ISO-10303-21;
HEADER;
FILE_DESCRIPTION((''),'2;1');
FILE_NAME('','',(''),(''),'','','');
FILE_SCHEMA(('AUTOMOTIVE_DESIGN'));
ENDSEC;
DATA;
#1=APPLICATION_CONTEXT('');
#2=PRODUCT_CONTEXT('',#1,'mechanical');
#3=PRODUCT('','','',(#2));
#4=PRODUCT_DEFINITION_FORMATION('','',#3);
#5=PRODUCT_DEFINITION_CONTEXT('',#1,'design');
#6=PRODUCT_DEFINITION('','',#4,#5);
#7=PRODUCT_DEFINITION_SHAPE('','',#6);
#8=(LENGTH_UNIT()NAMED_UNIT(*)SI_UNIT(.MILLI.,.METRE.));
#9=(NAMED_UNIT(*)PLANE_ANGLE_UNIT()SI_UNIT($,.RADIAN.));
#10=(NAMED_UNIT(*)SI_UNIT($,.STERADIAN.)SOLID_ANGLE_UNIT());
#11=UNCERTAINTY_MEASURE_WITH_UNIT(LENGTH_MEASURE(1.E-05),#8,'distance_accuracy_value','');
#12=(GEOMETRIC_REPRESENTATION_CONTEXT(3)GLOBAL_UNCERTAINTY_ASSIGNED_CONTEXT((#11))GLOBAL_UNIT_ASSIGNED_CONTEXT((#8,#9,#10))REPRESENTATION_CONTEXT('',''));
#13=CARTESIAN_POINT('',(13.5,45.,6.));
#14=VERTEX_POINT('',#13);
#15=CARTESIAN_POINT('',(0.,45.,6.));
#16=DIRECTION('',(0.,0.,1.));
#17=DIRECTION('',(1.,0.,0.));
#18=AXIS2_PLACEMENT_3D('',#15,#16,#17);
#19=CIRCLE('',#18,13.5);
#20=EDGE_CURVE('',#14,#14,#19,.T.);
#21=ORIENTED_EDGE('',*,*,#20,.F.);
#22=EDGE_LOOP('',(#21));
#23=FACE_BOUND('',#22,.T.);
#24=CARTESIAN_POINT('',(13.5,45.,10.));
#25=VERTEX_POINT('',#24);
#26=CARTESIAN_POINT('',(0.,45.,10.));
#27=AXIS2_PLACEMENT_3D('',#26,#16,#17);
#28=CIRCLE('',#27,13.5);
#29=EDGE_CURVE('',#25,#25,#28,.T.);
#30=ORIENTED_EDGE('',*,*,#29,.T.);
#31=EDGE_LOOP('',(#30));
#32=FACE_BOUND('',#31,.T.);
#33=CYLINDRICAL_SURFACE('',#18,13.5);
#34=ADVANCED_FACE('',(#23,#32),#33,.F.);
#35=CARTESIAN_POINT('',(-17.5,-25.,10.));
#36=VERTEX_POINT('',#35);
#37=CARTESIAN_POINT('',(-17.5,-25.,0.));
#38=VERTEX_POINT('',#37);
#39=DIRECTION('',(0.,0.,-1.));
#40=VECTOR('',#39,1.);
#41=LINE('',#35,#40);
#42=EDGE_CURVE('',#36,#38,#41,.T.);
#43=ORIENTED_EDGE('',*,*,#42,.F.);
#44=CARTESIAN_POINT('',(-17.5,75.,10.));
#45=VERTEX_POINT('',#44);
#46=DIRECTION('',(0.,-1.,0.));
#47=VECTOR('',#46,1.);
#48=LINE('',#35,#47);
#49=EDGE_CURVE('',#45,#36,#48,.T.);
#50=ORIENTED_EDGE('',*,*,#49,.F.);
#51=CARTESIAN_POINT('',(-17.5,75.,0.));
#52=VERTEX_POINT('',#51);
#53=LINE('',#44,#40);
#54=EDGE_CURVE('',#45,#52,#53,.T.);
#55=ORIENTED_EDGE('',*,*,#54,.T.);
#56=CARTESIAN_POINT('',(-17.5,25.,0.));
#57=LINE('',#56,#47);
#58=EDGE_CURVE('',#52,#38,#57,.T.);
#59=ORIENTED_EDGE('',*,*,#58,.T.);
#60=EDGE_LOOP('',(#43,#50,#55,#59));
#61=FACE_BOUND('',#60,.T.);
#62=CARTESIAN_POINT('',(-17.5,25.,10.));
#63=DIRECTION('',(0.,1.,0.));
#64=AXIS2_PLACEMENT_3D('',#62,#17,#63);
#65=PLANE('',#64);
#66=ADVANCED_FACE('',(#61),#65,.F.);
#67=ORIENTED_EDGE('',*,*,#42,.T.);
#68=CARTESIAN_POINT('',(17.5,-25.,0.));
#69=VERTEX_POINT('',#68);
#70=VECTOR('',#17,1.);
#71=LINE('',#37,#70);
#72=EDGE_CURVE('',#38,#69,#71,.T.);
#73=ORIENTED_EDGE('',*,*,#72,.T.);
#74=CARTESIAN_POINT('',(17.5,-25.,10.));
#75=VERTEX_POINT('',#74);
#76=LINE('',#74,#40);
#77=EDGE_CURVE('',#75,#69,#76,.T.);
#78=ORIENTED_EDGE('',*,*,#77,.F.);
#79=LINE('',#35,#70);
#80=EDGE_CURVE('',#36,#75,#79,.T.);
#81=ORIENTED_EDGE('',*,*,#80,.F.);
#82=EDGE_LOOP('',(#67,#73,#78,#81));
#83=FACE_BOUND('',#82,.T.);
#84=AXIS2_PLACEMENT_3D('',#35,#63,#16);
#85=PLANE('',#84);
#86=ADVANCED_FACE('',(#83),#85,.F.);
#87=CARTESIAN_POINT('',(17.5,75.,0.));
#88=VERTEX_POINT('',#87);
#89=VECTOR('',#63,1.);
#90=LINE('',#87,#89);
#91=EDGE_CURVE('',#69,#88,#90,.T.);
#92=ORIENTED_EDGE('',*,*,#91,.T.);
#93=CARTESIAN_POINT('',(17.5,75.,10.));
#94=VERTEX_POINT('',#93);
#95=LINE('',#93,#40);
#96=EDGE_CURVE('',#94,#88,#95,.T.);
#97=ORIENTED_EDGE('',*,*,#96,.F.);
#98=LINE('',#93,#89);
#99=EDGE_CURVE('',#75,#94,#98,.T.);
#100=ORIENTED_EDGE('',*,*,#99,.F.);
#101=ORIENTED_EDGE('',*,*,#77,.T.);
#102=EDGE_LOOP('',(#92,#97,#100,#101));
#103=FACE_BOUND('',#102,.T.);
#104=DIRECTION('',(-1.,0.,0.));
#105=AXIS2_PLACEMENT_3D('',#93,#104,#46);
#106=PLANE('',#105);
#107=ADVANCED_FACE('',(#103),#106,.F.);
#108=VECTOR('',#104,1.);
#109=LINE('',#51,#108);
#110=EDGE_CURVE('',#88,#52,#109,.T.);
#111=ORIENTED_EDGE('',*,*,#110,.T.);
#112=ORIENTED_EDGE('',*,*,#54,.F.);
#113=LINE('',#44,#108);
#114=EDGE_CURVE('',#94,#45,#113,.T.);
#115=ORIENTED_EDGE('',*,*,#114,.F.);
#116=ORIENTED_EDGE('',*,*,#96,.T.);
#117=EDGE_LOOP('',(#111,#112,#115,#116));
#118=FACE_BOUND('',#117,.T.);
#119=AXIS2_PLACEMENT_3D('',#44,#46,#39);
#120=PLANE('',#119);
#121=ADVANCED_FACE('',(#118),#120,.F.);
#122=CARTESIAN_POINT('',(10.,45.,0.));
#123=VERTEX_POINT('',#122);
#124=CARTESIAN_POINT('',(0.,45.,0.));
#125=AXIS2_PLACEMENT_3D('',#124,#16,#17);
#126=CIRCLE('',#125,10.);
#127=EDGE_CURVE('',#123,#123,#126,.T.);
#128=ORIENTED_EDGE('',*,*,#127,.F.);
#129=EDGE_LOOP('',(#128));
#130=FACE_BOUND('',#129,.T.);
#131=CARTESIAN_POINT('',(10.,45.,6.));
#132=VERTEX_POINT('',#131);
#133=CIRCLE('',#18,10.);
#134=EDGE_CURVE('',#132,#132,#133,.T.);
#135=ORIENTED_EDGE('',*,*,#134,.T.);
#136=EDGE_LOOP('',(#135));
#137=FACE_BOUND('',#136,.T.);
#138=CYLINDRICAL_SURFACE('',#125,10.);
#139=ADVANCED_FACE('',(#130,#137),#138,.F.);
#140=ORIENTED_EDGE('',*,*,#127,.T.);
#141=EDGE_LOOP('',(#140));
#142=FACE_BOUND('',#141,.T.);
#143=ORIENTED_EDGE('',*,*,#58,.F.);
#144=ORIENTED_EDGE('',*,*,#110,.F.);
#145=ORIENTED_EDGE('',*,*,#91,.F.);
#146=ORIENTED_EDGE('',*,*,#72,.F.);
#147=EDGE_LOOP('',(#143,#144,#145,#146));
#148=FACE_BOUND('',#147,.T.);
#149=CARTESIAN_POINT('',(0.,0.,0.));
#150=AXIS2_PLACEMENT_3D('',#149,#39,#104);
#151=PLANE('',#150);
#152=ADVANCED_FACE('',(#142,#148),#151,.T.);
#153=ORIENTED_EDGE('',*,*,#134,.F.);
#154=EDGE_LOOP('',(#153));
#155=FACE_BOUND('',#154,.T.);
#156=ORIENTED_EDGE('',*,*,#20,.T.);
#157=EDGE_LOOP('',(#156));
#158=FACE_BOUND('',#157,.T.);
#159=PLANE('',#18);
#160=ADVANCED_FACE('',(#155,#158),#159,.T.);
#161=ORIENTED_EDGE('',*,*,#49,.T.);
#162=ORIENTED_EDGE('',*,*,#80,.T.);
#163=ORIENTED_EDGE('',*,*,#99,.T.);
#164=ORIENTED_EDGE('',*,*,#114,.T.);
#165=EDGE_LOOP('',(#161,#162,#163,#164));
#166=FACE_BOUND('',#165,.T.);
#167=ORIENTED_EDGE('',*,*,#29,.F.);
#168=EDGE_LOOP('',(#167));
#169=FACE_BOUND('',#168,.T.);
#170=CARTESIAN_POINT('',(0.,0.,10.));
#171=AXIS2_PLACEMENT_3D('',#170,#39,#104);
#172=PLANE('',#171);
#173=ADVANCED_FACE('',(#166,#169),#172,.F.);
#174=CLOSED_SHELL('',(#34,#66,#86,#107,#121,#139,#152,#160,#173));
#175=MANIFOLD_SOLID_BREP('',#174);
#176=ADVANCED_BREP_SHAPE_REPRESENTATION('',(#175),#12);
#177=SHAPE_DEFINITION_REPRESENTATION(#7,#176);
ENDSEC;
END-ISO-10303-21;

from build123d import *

# Parameters (mm, degrees)
BOSS_EXTRUDE1_DEPTH = 10
SKETCH4_R           = 13.5
CUT_EXTRUDE1_DEPTH  = 4
SKETCH5_R           = 10
CUT_EXTRUDE2_DEPTH  = 78.24797732


with BuildPart() as part:
    # Sketch1 → Boss-Extrude1 (new body)
    with BuildSketch(Plane.XY):
        Polygon((-17.5, 25), (-17.5, 75), (17.5, 75), (17.5, -25), (-17.5, -25), align=None)
    extrude(amount=BOSS_EXTRUDE1_DEPTH)

    # Sketch4 → Cut-Extrude1 (cut)
    with BuildSketch(Plane.XY.offset(10)):
        with Locations((0, 45)):
            Circle(SKETCH4_R)
    extrude(amount=-CUT_EXTRUDE1_DEPTH, mode=Mode.SUBTRACT)

    # Sketch5 → Cut-Extrude2 (cut, through all)
    with BuildSketch(Plane.XY.offset(6)):
        with Locations((0, 45)):
            Circle(SKETCH5_R)
    extrude(amount=-CUT_EXTRUDE2_DEPTH, mode=Mode.SUBTRACT)


solid = part.part
